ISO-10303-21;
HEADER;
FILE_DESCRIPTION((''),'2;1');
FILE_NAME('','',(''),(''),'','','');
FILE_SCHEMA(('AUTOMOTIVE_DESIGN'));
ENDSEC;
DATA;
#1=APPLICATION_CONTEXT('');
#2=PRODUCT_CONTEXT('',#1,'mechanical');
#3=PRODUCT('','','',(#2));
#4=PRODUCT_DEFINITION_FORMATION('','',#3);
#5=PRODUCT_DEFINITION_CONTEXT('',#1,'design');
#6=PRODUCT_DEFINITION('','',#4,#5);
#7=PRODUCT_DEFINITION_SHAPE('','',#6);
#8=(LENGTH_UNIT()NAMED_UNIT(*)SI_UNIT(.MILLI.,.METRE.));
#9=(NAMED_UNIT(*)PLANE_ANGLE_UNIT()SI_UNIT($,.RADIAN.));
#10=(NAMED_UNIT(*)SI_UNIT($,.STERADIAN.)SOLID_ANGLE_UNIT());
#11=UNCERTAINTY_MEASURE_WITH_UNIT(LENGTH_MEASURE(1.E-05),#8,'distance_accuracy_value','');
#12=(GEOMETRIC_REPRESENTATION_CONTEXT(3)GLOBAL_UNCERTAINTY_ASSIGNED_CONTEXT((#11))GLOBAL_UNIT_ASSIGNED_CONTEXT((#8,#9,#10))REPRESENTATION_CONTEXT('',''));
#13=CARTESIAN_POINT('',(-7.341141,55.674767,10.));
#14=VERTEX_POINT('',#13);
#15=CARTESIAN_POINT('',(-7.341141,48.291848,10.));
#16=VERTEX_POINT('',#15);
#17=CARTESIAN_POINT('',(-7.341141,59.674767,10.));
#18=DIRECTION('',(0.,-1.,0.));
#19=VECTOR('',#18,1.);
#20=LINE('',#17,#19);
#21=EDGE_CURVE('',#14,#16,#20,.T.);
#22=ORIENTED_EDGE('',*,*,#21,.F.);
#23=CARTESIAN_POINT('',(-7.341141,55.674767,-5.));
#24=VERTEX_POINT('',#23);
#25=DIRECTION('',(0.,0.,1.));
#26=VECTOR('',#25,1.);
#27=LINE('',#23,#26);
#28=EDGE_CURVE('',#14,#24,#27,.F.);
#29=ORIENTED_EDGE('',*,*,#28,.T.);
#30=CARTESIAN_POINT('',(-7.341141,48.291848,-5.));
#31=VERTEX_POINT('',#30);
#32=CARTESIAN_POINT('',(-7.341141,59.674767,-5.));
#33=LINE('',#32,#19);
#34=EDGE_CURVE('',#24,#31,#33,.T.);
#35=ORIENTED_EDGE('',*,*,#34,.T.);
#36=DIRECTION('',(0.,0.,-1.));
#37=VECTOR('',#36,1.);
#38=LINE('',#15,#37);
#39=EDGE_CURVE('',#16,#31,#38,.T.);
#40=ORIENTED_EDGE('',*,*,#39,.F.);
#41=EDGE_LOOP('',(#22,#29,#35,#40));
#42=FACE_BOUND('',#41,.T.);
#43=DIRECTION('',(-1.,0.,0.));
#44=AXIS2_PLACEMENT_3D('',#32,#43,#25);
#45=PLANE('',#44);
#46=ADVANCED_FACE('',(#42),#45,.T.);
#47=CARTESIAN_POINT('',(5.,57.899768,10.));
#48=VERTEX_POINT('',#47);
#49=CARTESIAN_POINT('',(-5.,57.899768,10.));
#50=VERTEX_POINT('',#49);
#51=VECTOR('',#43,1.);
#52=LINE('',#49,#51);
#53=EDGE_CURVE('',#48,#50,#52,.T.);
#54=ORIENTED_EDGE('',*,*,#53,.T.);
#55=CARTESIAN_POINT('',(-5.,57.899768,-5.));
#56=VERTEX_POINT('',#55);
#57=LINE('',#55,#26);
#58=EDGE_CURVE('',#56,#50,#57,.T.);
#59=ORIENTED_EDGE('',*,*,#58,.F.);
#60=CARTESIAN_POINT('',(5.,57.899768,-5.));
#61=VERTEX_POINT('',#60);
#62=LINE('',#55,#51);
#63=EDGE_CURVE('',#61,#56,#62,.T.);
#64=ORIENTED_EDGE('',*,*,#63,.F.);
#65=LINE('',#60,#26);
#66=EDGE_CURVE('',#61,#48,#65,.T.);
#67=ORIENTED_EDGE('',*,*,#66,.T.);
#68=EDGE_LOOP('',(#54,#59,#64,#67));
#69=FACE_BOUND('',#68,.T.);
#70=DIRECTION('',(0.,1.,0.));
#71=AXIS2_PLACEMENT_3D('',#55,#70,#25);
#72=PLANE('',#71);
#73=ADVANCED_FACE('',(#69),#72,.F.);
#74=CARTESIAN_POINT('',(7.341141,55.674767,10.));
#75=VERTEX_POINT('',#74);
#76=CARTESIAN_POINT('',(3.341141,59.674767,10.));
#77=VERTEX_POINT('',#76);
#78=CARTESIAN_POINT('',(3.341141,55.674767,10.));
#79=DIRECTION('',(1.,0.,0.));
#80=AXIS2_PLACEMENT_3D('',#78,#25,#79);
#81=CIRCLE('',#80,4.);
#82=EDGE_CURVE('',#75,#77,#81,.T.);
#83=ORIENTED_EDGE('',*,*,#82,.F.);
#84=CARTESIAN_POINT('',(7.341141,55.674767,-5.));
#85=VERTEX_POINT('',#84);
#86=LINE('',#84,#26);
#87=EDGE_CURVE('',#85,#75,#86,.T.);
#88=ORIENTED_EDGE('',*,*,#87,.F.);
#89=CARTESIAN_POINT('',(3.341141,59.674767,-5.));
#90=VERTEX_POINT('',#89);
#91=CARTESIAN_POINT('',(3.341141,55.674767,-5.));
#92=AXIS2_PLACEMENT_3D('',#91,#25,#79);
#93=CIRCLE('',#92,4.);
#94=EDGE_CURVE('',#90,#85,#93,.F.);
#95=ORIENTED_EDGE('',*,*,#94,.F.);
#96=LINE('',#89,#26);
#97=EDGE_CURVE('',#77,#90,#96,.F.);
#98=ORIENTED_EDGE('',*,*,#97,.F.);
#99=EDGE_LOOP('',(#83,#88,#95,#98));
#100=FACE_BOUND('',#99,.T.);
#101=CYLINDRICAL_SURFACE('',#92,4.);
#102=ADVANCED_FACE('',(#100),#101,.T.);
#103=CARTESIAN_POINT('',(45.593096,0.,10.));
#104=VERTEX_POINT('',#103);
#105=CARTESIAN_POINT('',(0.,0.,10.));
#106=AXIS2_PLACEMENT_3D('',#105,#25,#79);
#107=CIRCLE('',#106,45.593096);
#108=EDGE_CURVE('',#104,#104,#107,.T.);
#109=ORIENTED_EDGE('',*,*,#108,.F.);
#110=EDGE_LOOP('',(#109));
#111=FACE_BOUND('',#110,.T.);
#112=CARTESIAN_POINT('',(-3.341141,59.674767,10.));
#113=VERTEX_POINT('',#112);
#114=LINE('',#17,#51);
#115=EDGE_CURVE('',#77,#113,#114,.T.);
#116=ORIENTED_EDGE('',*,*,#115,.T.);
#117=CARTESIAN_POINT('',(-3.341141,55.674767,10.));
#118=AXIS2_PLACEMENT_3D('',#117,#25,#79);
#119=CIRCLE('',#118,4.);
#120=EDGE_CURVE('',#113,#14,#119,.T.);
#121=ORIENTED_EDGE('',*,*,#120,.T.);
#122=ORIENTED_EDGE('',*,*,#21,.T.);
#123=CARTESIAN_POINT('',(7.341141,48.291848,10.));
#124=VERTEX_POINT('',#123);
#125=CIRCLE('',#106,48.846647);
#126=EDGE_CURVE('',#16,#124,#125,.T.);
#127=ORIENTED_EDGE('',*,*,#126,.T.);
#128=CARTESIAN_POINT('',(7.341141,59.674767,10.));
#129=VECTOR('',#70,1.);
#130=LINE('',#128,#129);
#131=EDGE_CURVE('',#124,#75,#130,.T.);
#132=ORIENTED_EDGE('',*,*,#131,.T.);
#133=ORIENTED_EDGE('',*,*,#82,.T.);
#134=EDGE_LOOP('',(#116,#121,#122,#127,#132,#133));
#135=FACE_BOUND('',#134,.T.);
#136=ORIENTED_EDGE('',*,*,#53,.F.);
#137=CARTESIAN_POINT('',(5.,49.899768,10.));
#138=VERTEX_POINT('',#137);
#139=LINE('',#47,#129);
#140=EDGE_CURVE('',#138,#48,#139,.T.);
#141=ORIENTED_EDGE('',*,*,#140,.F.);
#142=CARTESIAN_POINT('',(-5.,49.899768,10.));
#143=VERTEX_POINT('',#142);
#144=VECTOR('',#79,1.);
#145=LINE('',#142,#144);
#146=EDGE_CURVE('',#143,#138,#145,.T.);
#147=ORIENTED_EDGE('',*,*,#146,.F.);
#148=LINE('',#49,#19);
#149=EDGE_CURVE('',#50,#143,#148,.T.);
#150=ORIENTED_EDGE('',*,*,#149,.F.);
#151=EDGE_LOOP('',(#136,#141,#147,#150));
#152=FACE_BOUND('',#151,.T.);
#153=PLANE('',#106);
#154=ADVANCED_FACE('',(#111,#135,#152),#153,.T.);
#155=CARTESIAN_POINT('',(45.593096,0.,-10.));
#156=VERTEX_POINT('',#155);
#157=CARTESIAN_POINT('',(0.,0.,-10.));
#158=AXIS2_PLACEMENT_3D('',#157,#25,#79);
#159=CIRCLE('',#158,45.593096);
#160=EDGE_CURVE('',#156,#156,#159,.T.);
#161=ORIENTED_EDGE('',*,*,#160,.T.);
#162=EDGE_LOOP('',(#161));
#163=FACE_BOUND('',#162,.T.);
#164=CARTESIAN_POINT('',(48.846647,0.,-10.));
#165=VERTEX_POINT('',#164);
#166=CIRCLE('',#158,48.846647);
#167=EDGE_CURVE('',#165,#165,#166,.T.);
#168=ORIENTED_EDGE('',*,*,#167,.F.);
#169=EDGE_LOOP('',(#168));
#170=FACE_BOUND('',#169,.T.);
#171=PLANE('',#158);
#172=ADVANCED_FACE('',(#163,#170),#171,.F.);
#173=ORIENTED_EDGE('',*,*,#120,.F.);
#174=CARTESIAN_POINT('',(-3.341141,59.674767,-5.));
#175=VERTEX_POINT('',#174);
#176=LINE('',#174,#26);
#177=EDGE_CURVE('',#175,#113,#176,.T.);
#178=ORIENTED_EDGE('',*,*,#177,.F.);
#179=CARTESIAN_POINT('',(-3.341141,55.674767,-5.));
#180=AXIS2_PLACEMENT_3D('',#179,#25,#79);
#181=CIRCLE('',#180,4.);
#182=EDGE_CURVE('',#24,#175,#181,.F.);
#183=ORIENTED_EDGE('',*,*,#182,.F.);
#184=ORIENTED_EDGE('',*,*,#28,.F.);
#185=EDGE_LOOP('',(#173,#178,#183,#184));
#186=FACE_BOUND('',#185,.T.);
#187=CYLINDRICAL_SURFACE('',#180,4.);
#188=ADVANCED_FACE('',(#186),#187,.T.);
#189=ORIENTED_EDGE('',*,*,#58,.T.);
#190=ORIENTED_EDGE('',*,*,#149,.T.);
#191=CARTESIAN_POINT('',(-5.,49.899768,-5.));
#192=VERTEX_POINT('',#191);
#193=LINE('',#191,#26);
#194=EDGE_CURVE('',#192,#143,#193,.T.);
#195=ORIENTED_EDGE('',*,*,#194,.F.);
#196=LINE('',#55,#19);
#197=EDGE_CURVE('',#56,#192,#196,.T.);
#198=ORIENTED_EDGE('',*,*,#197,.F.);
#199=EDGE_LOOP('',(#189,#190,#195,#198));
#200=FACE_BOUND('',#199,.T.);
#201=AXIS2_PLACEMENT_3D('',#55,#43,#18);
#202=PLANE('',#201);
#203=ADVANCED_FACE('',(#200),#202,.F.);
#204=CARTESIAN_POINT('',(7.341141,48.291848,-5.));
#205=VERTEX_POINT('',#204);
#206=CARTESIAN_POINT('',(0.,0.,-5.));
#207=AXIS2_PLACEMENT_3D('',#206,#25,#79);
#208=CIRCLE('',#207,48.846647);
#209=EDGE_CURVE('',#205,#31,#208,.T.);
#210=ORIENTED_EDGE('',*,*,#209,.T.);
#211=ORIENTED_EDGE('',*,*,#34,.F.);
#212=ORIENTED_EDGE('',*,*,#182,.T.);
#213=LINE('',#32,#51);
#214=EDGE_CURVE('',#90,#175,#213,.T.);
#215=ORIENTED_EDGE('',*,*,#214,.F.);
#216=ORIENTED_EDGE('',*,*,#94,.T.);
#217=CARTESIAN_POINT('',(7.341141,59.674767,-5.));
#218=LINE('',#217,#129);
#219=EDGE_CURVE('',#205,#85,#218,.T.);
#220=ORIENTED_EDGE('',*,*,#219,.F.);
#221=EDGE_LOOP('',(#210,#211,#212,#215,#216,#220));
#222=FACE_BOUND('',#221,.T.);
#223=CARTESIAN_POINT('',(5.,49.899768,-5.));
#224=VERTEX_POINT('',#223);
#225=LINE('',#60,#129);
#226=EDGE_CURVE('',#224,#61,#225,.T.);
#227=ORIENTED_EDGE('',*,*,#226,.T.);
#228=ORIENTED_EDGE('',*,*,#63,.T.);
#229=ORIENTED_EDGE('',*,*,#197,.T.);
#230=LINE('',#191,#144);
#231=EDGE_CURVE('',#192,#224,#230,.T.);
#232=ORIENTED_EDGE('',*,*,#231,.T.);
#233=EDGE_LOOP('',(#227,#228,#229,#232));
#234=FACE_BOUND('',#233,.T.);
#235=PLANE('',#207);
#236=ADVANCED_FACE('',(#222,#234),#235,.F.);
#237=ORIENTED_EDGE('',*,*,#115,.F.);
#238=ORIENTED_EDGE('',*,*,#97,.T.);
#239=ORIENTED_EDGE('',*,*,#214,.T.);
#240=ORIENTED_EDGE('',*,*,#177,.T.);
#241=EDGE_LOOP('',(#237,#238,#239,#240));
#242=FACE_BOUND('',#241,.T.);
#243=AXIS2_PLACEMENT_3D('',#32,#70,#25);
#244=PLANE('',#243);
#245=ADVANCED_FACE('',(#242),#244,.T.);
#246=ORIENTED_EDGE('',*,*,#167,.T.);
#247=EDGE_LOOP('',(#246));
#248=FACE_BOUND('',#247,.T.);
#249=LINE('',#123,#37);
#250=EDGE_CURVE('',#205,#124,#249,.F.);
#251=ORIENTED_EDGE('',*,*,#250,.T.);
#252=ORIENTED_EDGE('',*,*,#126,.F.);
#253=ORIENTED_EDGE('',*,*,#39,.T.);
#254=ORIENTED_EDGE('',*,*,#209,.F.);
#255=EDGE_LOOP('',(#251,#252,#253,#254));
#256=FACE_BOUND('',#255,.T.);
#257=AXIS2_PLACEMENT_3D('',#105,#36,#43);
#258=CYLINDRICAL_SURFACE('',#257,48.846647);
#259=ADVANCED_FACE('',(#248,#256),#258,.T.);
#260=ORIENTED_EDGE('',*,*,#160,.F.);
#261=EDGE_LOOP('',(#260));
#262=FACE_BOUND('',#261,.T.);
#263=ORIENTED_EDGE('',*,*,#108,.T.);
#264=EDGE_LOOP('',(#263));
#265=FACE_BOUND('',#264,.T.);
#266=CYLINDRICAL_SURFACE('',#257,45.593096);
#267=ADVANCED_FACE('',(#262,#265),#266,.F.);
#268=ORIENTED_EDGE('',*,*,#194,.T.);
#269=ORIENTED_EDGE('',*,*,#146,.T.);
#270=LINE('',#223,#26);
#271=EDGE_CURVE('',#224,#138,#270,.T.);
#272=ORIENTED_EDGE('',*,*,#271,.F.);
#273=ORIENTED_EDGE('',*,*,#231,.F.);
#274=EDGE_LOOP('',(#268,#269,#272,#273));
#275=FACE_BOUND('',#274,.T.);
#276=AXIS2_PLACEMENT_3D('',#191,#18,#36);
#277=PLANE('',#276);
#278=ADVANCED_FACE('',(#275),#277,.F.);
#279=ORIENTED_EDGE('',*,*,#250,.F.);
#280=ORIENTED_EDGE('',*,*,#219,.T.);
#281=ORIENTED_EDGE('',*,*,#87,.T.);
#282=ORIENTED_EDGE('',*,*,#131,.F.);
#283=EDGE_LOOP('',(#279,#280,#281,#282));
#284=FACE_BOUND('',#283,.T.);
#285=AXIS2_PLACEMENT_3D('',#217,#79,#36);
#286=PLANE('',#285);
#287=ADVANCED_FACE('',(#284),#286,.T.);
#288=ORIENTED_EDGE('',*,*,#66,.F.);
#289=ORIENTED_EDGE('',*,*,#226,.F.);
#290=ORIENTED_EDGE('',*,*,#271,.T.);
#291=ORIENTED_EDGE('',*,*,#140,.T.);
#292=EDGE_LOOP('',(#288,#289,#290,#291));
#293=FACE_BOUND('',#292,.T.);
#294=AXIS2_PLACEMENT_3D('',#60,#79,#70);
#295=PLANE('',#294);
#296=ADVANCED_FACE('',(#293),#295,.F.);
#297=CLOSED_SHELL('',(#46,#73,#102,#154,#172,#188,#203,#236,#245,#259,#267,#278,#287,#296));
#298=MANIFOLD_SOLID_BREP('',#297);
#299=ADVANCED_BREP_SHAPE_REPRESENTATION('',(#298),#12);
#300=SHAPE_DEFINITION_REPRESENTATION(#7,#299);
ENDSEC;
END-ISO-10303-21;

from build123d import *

# Parameters (mm, degrees)
SKETCH1_R           = 48.846646741
SKETCH1_R_2         = 45.593095846
BOSS_EXTRUDE1_DEPTH = 10
SKETCH2_W           = 14.682281382
SKETCH2_H           = 11.549997154
SKETCH2_W_2         = 10
SKETCH2_H_2         = 8
BOSS_EXTRUDE2_DEPTH = 15
FILLET1_R           = 4


with BuildPart() as part:
    # Sketch1 → Boss-Extrude1 (new, symmetric)
    with BuildSketch(Plane.XY):
        Circle(SKETCH1_R)
        Circle(SKETCH1_R_2, mode=Mode.SUBTRACT)
    extrude(amount=BOSS_EXTRUDE1_DEPTH, both=True)

    # Sketch2 → Boss-Extrude2 (add)
    with BuildSketch(Plane.XY.offset(10)):
        with Locations((0, 53.899768405)):
            Rectangle(SKETCH2_W, SKETCH2_H)
        with Locations((0, 53.899768405)):
            Rectangle(SKETCH2_W_2, SKETCH2_H_2, mode=Mode.SUBTRACT)
    extrude(amount=-BOSS_EXTRUDE2_DEPTH)

    # Fillet1
    fillet1_edges = [part.edges().sort_by_distance(p)[0] for p in [
        (7.341140691, 59.674766982, 2.5),
        (-7.341140691, 59.674766982, 2.5),
    ]]
    fillet(fillet1_edges, radius=FILLET1_R)


solid = part.part
